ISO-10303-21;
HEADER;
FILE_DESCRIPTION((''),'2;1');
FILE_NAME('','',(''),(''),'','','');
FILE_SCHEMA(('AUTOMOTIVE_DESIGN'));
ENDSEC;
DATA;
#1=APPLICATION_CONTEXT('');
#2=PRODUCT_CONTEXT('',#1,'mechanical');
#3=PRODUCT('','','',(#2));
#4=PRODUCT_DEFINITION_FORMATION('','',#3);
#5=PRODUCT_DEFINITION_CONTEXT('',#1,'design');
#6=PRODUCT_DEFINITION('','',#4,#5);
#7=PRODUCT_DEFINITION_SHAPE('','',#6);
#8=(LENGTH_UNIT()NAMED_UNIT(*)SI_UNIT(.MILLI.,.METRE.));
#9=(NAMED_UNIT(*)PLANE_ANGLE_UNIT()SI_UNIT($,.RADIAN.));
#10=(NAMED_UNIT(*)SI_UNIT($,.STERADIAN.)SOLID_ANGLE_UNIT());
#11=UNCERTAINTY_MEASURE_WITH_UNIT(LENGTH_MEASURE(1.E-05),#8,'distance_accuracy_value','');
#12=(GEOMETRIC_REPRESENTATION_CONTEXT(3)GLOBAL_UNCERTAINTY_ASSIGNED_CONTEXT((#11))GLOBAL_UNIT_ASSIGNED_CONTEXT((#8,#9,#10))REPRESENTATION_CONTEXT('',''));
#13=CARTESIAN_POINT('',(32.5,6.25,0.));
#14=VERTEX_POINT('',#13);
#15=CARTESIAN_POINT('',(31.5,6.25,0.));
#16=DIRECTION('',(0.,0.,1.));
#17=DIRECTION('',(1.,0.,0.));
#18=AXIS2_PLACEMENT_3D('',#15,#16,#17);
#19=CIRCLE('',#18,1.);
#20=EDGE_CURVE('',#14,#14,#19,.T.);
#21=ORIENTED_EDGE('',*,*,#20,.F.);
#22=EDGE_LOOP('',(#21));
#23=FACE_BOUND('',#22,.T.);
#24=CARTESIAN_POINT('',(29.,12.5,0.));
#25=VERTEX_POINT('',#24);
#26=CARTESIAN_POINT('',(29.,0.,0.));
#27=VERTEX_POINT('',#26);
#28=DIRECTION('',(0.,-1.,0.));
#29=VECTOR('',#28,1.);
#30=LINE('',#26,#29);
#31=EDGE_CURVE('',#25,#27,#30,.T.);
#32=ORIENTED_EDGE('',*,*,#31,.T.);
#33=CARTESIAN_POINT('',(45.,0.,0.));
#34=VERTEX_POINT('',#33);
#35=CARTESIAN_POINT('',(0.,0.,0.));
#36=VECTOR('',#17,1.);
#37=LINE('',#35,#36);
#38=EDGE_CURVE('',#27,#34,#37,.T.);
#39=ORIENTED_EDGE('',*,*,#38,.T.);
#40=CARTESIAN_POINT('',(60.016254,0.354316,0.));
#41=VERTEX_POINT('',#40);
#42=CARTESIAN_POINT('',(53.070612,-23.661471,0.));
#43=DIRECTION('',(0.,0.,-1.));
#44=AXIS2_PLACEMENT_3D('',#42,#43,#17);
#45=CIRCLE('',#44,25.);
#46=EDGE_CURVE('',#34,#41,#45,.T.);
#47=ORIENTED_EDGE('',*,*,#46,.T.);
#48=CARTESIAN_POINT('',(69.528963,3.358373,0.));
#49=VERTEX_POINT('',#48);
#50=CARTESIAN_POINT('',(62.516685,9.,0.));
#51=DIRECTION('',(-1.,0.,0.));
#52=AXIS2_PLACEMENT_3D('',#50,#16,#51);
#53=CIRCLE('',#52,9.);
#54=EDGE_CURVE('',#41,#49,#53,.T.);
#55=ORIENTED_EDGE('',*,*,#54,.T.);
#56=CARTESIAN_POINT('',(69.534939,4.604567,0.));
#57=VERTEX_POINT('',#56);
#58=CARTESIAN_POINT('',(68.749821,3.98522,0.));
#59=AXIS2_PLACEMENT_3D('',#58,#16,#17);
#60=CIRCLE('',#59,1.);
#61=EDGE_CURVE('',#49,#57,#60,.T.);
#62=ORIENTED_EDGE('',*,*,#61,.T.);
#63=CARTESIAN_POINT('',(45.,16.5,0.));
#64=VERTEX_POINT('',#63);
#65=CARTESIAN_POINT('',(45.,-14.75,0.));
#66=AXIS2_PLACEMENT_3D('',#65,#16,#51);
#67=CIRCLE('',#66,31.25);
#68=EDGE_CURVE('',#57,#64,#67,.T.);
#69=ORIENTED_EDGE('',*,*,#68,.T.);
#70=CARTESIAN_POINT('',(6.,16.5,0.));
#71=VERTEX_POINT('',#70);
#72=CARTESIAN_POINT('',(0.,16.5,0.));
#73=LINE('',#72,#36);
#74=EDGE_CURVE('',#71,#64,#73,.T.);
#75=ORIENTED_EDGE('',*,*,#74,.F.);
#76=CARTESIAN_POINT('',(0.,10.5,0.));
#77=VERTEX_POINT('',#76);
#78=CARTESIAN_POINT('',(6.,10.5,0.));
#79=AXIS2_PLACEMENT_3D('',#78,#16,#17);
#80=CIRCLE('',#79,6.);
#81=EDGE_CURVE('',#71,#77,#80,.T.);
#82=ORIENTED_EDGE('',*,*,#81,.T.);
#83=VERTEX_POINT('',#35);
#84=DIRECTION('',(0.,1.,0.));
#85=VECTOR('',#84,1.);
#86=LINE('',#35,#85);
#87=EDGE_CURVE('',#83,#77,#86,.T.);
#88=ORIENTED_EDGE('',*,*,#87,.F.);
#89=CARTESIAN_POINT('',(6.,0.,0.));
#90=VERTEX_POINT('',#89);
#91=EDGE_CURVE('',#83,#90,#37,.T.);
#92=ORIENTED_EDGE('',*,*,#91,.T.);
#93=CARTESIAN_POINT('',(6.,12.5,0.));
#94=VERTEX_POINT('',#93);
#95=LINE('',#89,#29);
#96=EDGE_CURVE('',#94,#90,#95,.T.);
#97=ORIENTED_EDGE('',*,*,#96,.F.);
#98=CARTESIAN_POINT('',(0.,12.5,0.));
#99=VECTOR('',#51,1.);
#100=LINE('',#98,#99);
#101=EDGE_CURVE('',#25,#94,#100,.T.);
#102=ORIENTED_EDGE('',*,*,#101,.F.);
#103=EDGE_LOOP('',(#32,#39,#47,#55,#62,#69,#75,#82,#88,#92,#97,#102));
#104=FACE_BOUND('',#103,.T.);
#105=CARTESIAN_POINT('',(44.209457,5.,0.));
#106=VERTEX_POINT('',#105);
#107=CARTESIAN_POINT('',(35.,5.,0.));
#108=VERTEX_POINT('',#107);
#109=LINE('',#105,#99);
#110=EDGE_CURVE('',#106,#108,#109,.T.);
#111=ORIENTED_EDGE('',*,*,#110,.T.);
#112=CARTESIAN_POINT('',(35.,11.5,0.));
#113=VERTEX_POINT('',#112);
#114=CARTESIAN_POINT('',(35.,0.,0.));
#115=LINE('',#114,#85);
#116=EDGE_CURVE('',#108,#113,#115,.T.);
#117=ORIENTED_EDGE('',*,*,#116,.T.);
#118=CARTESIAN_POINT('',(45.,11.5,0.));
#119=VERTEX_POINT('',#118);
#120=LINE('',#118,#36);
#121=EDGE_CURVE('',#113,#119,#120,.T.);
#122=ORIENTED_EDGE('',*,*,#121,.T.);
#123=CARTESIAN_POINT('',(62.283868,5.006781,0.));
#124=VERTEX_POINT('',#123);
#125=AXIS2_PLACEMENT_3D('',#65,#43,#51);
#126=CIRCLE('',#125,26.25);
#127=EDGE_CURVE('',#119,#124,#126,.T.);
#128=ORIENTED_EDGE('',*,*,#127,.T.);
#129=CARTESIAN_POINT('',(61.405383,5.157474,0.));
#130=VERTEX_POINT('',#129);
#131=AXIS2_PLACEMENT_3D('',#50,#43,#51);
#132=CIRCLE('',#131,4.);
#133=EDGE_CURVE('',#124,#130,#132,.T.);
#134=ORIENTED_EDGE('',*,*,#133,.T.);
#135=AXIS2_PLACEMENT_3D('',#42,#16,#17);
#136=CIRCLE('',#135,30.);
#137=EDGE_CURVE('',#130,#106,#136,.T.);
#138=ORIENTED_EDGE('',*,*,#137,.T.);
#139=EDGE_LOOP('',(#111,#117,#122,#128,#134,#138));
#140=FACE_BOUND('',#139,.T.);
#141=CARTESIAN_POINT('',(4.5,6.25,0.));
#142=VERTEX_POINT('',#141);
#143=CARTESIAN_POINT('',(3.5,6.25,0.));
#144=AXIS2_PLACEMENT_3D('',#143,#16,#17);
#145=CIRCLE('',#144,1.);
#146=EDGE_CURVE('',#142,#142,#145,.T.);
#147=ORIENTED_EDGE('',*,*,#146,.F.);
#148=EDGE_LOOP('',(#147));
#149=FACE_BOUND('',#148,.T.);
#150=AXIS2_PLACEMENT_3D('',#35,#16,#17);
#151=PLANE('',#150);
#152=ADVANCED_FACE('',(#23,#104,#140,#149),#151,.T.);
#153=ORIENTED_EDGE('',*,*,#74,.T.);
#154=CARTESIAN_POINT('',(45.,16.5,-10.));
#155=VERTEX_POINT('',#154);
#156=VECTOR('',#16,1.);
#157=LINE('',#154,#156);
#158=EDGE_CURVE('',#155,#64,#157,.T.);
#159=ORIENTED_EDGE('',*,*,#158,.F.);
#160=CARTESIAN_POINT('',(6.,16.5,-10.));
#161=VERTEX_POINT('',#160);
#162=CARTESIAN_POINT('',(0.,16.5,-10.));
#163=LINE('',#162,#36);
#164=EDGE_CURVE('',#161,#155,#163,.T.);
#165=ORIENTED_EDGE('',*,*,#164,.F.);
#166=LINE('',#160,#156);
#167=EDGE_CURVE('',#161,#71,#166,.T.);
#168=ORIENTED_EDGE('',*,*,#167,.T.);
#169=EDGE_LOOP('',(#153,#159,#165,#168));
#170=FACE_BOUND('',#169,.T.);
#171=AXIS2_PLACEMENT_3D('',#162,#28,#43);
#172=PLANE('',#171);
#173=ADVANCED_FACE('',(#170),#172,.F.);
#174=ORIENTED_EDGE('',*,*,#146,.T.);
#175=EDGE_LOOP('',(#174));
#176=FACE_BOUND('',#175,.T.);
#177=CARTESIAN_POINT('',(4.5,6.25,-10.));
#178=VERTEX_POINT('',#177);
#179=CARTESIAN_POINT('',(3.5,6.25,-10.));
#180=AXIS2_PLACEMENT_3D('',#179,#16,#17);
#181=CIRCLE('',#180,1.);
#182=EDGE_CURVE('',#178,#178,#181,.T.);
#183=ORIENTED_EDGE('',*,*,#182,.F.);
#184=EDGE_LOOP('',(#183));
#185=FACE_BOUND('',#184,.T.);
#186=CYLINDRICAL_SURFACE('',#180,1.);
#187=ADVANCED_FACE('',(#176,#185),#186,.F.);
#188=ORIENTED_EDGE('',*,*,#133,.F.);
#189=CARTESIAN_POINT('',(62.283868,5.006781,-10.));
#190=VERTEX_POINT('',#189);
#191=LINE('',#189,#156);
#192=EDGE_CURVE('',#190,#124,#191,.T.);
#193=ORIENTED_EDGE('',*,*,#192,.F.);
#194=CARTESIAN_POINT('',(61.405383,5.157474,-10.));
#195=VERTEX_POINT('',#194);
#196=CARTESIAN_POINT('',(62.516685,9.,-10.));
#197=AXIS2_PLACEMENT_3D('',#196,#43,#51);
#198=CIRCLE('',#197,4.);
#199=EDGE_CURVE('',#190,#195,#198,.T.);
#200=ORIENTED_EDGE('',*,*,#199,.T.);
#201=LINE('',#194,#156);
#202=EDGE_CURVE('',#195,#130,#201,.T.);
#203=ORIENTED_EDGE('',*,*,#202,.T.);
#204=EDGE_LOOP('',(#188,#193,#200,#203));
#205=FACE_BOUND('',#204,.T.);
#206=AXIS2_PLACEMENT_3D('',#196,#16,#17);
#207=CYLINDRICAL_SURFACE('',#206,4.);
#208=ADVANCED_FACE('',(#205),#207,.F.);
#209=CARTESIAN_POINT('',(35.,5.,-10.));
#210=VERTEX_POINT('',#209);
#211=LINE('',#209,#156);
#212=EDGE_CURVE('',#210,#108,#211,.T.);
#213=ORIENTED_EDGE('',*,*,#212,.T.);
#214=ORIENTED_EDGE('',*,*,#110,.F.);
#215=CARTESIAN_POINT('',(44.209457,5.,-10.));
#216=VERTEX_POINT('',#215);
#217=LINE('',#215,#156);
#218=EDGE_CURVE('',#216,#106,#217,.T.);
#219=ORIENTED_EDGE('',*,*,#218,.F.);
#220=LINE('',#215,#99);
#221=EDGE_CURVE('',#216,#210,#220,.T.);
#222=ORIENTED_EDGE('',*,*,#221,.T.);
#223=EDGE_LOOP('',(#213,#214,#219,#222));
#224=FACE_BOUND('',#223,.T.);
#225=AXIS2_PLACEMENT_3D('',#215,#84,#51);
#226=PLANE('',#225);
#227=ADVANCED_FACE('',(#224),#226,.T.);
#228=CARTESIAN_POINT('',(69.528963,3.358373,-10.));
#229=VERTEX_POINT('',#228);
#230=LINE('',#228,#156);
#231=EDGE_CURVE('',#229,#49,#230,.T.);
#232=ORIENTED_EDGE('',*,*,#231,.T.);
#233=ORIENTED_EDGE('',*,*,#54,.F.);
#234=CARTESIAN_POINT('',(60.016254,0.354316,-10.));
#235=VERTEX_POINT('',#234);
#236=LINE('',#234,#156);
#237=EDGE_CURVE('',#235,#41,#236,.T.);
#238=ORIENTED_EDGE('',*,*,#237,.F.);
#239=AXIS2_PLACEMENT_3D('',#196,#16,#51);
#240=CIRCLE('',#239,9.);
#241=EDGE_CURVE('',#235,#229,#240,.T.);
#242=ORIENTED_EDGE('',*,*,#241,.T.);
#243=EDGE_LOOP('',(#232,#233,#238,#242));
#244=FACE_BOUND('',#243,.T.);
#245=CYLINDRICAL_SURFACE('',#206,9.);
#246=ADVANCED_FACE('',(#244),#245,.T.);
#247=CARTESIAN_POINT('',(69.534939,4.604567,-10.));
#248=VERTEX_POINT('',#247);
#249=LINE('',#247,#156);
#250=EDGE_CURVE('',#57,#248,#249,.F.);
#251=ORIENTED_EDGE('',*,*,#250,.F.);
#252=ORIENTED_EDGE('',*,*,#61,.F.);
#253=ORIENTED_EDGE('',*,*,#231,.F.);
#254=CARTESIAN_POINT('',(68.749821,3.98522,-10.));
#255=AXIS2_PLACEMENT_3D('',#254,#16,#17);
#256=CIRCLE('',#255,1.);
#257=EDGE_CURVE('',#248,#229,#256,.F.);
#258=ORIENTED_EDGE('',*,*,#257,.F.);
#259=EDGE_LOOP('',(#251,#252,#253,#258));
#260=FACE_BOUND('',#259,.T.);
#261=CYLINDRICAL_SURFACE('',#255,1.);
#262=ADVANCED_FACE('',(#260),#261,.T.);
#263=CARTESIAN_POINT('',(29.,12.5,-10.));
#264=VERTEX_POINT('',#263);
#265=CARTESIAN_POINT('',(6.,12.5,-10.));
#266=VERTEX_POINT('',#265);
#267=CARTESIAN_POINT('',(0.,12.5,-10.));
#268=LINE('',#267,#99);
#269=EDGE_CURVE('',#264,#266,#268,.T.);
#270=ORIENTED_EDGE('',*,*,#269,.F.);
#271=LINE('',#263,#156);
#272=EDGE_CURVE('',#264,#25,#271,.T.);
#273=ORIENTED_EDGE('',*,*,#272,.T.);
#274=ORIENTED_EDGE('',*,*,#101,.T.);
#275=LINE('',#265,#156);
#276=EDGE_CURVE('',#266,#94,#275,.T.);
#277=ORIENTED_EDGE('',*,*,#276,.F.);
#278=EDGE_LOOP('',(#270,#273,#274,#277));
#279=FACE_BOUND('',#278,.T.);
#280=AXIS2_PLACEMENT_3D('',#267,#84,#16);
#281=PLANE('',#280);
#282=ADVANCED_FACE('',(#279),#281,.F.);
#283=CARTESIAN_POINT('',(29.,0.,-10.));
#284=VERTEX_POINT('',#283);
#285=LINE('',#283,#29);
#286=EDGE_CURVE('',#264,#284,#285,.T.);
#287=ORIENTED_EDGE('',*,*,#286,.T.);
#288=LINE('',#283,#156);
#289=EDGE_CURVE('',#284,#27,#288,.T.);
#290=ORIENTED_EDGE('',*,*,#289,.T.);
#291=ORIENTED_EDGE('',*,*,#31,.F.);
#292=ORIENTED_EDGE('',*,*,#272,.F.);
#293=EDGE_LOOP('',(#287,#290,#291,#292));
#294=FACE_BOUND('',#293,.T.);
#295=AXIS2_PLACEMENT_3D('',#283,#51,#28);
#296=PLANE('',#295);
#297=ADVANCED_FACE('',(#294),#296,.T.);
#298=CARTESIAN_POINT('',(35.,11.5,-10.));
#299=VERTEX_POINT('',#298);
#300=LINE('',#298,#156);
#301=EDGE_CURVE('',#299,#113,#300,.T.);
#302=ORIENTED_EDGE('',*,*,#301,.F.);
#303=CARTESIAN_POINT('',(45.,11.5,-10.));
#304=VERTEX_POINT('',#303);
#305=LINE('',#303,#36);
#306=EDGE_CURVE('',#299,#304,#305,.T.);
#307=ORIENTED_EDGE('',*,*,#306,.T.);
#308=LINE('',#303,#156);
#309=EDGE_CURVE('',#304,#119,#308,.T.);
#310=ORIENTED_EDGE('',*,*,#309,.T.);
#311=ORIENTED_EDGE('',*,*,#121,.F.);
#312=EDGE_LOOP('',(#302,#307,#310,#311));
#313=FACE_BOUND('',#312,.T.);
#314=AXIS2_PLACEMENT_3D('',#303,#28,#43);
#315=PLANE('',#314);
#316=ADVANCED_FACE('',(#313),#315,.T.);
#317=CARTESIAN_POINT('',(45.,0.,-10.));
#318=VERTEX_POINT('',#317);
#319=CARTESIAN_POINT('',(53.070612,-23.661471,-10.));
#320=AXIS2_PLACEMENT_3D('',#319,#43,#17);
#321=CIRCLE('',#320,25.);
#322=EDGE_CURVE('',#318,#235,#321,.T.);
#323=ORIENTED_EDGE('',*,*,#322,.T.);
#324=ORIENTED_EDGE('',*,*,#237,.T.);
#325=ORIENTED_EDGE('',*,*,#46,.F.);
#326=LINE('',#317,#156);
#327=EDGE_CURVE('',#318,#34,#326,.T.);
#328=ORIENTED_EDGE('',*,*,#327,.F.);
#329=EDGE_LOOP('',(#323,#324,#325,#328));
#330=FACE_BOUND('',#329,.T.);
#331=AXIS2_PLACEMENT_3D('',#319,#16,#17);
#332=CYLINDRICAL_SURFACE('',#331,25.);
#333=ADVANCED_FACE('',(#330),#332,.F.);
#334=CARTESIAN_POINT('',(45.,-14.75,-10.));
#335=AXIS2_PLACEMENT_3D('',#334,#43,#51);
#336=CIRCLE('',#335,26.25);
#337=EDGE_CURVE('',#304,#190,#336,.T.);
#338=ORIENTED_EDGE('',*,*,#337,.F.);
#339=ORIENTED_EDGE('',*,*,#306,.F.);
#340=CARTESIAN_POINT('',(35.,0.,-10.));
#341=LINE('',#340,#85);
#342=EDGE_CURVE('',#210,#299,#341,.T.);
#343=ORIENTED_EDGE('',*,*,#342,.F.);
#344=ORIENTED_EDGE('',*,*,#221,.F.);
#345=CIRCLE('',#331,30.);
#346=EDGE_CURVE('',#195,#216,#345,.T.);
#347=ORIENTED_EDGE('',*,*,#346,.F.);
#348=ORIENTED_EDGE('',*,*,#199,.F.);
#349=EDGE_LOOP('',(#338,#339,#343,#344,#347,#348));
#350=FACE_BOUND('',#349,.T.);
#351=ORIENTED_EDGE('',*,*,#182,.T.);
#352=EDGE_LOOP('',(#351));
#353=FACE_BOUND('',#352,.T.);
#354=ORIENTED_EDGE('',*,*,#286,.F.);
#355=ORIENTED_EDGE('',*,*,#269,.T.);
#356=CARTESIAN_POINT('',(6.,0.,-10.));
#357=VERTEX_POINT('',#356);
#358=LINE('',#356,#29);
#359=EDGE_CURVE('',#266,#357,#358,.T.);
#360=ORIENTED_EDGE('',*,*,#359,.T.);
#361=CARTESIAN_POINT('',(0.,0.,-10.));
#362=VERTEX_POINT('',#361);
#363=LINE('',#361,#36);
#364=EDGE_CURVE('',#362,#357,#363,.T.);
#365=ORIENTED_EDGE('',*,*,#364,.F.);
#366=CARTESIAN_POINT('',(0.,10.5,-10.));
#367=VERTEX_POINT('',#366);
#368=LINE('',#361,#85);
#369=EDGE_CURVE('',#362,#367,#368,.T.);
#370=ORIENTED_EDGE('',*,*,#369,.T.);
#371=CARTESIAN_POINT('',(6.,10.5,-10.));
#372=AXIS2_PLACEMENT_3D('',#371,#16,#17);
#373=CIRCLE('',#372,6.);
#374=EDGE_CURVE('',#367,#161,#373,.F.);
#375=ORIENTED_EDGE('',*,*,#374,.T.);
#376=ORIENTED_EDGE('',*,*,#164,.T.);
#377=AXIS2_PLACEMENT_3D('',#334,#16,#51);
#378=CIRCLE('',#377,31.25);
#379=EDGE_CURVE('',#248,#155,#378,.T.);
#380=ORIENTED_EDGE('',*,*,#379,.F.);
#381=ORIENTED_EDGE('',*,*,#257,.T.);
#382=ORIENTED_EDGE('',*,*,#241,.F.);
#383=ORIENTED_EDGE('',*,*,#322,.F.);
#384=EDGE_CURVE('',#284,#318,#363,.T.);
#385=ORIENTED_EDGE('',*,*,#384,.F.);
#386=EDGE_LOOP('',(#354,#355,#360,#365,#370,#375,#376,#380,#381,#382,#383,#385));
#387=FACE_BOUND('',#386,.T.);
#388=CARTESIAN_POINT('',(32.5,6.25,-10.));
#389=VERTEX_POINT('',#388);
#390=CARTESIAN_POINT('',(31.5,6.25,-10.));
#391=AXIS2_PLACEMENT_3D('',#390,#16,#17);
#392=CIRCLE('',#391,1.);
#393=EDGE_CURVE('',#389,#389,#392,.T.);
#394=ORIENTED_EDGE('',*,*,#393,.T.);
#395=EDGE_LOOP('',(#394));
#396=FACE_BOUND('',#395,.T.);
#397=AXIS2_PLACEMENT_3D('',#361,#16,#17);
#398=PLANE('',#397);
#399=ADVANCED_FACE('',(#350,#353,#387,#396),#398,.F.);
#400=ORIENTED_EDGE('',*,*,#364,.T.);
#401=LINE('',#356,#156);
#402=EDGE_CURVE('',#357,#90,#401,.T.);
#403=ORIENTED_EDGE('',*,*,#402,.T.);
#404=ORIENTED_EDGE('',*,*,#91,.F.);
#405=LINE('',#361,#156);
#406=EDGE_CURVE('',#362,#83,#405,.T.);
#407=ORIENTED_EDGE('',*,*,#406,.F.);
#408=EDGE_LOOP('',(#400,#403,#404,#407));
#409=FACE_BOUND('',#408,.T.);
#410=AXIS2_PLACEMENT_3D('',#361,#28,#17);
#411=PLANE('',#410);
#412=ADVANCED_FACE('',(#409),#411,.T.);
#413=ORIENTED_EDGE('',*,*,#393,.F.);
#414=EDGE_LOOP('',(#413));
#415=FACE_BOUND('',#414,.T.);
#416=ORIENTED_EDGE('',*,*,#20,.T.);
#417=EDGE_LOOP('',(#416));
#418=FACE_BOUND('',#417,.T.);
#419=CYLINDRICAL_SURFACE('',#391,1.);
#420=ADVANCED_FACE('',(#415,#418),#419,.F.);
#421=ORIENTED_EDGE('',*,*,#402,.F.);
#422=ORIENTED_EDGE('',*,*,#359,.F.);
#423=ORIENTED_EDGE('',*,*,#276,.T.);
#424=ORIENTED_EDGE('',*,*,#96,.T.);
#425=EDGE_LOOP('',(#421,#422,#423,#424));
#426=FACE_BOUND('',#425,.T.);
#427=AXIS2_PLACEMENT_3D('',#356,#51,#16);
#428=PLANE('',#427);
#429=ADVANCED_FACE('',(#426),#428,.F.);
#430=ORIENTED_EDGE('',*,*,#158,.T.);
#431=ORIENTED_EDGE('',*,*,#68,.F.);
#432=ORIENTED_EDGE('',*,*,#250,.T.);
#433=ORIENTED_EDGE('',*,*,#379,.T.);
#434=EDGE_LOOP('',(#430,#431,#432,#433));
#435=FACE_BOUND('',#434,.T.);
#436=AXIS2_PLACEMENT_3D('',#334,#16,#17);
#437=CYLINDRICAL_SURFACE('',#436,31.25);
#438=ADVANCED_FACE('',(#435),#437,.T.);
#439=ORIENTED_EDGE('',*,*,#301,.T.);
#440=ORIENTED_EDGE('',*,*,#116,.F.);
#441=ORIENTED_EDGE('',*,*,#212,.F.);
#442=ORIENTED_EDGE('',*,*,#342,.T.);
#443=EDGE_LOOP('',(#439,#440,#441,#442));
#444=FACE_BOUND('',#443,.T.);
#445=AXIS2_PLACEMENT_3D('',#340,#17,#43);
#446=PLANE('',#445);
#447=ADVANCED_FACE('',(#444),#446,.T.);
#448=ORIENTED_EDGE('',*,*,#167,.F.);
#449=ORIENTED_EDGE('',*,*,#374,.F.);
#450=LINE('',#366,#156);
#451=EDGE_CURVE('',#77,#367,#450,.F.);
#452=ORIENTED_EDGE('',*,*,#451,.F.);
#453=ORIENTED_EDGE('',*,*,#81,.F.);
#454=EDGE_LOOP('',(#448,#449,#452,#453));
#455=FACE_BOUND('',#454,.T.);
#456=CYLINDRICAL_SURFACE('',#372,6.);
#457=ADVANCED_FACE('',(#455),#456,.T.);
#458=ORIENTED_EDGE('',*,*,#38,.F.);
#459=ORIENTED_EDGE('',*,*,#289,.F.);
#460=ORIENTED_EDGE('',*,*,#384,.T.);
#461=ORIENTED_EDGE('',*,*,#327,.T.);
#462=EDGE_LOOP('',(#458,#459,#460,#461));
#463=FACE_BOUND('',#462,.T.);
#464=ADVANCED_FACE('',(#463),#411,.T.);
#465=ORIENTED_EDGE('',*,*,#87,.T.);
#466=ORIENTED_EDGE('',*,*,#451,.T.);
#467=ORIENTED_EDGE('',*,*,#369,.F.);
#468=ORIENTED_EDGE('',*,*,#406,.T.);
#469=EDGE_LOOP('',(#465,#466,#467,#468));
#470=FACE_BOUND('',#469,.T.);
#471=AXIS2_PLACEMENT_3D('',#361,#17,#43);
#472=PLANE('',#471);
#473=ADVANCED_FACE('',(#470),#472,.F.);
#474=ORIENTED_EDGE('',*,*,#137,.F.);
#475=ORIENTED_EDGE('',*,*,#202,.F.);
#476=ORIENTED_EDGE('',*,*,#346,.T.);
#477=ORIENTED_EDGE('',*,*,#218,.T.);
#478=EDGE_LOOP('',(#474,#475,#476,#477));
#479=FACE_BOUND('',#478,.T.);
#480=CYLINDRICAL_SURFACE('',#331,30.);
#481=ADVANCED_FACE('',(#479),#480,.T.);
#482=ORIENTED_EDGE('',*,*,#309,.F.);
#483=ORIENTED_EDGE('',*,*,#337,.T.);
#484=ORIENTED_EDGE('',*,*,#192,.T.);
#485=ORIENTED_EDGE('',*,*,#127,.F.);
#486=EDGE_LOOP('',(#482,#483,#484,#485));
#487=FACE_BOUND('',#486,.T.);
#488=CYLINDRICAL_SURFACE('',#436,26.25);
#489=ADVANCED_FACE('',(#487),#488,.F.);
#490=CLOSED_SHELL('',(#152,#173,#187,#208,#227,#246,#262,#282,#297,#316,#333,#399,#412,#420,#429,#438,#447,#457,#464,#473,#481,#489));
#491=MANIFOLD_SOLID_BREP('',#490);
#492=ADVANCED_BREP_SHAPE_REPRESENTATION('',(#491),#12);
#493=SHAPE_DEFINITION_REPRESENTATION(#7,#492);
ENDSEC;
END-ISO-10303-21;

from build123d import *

# Parameters (mm, degrees)
CROQUIS1_R              = 1
SALIENTE_EXTRUIR1_DEPTH = 10
SALIENTE_EXTRUIR2_DEPTH = 10
REDONDEO1_R             = 1
REDONDEO2_R             = 6


with BuildPart() as part:
    # Croquis1 → Saliente-Extruir1 (new body)
    with BuildSketch(Plane.XY):
        Polygon((0, 0), (6, 0), (6, 12.5), (29, 12.5), (29, 0), (35, 0), (35, 16.5), (0, 16.5), align=None)
        with Locations((3.5, 6.25)):
            Circle(CROQUIS1_R, mode=Mode.SUBTRACT)
        with Locations((31.5, 6.25)):
            Circle(CROQUIS1_R, mode=Mode.SUBTRACT)
    extrude(amount=-SALIENTE_EXTRUIR1_DEPTH)

    # Croquis4 → Saliente-Extruir2 (add, through all)
    with BuildSketch(Plane.XY):
        with BuildLine():
            Line((45, 11.5), (35, 11.5))
            Line((35, 11.5), (35, 16.5))
            Line((35, 16.5), (45, 16.5))
            ThreePointArc((45, 16.5), (58.975424859, 13.200849719), (70, 4))
            ThreePointArc((70, 4), (65.603760626, 0.546008902), (60.016254104, 0.354316441))
            ThreePointArc((60.016254104, 0.354316441), (52.480888042, 1.331572321), (45, 0))
            Line((45, 0), (35, 0))
            Line((35, 0), (35, 5))
            Line((35, 5), (44.209457127, 5))
            ThreePointArc((44.209457127, 5), (52.795894624, 6.337270923), (61.405382505, 5.157473974))
            ThreePointArc((61.405382505, 5.157473974), (61.84041484, 5.057582168), (62.283868073, 5.006781226))
            ThreePointArc((62.283868073, 5.006781226), (54.231657294, 9.823135811), (45, 11.5))
        make_face()
    extrude(amount=-SALIENTE_EXTRUIR2_DEPTH)

    # Redondeo1
    redondeo1_edges = [part.edges().sort_by_distance(p)[0] for p in [
        (70, 4, -5),
    ]]
    fillet(redondeo1_edges, radius=REDONDEO1_R)

    # Redondeo2
    redondeo2_edges = [part.edges().sort_by_distance(p)[0] for p in [
        (0, 16.5, -5),
    ]]
    fillet(redondeo2_edges, radius=REDONDEO2_R)


solid = part.part
